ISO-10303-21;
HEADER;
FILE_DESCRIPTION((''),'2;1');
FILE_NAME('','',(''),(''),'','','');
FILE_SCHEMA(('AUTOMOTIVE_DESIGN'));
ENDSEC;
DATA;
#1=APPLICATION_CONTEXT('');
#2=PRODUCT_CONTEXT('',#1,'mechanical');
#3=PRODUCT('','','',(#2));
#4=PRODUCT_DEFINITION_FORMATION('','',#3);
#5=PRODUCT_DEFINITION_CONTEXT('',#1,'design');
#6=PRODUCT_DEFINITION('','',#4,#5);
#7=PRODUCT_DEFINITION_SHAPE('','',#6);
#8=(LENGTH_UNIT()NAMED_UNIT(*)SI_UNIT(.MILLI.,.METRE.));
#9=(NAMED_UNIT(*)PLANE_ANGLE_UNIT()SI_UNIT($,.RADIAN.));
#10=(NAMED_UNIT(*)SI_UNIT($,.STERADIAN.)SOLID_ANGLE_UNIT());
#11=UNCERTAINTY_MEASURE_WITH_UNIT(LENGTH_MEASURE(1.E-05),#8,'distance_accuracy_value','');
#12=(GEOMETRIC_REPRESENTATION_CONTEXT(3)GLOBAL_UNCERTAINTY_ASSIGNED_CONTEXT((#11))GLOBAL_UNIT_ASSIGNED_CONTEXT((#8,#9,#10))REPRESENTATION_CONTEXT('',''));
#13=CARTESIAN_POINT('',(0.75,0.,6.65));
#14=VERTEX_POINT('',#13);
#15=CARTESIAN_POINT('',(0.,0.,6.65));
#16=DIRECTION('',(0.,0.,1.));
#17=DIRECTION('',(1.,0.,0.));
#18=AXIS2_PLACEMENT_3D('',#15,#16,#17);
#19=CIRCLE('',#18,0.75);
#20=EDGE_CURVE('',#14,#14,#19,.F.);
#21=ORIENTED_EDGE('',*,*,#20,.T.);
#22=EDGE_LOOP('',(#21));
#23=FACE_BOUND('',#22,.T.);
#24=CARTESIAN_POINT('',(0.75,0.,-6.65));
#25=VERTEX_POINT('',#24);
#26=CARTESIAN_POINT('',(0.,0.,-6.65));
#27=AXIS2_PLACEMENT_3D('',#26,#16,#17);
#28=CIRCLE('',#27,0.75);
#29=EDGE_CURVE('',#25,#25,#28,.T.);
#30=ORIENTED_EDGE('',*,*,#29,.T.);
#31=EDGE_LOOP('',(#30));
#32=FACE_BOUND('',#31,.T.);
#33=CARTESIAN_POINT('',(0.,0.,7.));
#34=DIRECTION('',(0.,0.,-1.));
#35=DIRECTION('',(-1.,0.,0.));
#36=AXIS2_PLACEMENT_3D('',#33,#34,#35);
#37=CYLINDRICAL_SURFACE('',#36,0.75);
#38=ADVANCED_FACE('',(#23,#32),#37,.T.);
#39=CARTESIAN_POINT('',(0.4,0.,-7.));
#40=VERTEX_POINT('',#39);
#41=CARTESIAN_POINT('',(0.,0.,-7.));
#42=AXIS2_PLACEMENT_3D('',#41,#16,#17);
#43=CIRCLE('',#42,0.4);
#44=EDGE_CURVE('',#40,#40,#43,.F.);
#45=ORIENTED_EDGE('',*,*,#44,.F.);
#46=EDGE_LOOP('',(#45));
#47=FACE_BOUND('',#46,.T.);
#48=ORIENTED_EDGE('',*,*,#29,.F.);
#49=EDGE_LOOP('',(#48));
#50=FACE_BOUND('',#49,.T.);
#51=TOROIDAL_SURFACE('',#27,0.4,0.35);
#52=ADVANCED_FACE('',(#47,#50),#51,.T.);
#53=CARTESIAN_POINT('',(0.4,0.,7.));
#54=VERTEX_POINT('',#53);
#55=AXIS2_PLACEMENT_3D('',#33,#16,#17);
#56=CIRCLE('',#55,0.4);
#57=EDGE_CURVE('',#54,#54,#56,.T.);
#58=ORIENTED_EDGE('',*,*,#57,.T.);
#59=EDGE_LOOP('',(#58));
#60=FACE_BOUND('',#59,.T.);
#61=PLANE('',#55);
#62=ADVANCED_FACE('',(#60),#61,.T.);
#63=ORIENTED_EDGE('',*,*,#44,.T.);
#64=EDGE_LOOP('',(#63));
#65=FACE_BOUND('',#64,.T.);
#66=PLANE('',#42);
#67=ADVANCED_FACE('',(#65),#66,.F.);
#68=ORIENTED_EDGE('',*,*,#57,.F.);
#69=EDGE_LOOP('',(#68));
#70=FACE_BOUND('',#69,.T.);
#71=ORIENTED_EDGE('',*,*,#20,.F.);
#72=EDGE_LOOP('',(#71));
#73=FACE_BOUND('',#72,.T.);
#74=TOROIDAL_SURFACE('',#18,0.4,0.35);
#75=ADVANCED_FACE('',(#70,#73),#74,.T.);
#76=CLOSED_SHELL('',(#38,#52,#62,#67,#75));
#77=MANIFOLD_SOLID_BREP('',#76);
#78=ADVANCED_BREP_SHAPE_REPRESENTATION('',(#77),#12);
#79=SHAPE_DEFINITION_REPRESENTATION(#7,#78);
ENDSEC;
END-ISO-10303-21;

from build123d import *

# Parameters (mm, degrees)
SKETCH1_R           = 0.75
BOSS_EXTRUDE1_DEPTH = 7
FILLET1_R           = 0.35


with BuildPart() as part:
    # Sketch1 → Boss-Extrude1 (new body, symmetric)
    with BuildSketch(Plane.XY):
        Circle(SKETCH1_R)
    extrude(amount=BOSS_EXTRUDE1_DEPTH, both=True)

    # Fillet1
    fillet1_edges = [part.edges().sort_by_distance(p)[0] for p in [
        (-0.75, 0, -7),
        (-0.75, 0, 7),
    ]]
    fillet(fillet1_edges, radius=FILLET1_R)


solid = part.part
